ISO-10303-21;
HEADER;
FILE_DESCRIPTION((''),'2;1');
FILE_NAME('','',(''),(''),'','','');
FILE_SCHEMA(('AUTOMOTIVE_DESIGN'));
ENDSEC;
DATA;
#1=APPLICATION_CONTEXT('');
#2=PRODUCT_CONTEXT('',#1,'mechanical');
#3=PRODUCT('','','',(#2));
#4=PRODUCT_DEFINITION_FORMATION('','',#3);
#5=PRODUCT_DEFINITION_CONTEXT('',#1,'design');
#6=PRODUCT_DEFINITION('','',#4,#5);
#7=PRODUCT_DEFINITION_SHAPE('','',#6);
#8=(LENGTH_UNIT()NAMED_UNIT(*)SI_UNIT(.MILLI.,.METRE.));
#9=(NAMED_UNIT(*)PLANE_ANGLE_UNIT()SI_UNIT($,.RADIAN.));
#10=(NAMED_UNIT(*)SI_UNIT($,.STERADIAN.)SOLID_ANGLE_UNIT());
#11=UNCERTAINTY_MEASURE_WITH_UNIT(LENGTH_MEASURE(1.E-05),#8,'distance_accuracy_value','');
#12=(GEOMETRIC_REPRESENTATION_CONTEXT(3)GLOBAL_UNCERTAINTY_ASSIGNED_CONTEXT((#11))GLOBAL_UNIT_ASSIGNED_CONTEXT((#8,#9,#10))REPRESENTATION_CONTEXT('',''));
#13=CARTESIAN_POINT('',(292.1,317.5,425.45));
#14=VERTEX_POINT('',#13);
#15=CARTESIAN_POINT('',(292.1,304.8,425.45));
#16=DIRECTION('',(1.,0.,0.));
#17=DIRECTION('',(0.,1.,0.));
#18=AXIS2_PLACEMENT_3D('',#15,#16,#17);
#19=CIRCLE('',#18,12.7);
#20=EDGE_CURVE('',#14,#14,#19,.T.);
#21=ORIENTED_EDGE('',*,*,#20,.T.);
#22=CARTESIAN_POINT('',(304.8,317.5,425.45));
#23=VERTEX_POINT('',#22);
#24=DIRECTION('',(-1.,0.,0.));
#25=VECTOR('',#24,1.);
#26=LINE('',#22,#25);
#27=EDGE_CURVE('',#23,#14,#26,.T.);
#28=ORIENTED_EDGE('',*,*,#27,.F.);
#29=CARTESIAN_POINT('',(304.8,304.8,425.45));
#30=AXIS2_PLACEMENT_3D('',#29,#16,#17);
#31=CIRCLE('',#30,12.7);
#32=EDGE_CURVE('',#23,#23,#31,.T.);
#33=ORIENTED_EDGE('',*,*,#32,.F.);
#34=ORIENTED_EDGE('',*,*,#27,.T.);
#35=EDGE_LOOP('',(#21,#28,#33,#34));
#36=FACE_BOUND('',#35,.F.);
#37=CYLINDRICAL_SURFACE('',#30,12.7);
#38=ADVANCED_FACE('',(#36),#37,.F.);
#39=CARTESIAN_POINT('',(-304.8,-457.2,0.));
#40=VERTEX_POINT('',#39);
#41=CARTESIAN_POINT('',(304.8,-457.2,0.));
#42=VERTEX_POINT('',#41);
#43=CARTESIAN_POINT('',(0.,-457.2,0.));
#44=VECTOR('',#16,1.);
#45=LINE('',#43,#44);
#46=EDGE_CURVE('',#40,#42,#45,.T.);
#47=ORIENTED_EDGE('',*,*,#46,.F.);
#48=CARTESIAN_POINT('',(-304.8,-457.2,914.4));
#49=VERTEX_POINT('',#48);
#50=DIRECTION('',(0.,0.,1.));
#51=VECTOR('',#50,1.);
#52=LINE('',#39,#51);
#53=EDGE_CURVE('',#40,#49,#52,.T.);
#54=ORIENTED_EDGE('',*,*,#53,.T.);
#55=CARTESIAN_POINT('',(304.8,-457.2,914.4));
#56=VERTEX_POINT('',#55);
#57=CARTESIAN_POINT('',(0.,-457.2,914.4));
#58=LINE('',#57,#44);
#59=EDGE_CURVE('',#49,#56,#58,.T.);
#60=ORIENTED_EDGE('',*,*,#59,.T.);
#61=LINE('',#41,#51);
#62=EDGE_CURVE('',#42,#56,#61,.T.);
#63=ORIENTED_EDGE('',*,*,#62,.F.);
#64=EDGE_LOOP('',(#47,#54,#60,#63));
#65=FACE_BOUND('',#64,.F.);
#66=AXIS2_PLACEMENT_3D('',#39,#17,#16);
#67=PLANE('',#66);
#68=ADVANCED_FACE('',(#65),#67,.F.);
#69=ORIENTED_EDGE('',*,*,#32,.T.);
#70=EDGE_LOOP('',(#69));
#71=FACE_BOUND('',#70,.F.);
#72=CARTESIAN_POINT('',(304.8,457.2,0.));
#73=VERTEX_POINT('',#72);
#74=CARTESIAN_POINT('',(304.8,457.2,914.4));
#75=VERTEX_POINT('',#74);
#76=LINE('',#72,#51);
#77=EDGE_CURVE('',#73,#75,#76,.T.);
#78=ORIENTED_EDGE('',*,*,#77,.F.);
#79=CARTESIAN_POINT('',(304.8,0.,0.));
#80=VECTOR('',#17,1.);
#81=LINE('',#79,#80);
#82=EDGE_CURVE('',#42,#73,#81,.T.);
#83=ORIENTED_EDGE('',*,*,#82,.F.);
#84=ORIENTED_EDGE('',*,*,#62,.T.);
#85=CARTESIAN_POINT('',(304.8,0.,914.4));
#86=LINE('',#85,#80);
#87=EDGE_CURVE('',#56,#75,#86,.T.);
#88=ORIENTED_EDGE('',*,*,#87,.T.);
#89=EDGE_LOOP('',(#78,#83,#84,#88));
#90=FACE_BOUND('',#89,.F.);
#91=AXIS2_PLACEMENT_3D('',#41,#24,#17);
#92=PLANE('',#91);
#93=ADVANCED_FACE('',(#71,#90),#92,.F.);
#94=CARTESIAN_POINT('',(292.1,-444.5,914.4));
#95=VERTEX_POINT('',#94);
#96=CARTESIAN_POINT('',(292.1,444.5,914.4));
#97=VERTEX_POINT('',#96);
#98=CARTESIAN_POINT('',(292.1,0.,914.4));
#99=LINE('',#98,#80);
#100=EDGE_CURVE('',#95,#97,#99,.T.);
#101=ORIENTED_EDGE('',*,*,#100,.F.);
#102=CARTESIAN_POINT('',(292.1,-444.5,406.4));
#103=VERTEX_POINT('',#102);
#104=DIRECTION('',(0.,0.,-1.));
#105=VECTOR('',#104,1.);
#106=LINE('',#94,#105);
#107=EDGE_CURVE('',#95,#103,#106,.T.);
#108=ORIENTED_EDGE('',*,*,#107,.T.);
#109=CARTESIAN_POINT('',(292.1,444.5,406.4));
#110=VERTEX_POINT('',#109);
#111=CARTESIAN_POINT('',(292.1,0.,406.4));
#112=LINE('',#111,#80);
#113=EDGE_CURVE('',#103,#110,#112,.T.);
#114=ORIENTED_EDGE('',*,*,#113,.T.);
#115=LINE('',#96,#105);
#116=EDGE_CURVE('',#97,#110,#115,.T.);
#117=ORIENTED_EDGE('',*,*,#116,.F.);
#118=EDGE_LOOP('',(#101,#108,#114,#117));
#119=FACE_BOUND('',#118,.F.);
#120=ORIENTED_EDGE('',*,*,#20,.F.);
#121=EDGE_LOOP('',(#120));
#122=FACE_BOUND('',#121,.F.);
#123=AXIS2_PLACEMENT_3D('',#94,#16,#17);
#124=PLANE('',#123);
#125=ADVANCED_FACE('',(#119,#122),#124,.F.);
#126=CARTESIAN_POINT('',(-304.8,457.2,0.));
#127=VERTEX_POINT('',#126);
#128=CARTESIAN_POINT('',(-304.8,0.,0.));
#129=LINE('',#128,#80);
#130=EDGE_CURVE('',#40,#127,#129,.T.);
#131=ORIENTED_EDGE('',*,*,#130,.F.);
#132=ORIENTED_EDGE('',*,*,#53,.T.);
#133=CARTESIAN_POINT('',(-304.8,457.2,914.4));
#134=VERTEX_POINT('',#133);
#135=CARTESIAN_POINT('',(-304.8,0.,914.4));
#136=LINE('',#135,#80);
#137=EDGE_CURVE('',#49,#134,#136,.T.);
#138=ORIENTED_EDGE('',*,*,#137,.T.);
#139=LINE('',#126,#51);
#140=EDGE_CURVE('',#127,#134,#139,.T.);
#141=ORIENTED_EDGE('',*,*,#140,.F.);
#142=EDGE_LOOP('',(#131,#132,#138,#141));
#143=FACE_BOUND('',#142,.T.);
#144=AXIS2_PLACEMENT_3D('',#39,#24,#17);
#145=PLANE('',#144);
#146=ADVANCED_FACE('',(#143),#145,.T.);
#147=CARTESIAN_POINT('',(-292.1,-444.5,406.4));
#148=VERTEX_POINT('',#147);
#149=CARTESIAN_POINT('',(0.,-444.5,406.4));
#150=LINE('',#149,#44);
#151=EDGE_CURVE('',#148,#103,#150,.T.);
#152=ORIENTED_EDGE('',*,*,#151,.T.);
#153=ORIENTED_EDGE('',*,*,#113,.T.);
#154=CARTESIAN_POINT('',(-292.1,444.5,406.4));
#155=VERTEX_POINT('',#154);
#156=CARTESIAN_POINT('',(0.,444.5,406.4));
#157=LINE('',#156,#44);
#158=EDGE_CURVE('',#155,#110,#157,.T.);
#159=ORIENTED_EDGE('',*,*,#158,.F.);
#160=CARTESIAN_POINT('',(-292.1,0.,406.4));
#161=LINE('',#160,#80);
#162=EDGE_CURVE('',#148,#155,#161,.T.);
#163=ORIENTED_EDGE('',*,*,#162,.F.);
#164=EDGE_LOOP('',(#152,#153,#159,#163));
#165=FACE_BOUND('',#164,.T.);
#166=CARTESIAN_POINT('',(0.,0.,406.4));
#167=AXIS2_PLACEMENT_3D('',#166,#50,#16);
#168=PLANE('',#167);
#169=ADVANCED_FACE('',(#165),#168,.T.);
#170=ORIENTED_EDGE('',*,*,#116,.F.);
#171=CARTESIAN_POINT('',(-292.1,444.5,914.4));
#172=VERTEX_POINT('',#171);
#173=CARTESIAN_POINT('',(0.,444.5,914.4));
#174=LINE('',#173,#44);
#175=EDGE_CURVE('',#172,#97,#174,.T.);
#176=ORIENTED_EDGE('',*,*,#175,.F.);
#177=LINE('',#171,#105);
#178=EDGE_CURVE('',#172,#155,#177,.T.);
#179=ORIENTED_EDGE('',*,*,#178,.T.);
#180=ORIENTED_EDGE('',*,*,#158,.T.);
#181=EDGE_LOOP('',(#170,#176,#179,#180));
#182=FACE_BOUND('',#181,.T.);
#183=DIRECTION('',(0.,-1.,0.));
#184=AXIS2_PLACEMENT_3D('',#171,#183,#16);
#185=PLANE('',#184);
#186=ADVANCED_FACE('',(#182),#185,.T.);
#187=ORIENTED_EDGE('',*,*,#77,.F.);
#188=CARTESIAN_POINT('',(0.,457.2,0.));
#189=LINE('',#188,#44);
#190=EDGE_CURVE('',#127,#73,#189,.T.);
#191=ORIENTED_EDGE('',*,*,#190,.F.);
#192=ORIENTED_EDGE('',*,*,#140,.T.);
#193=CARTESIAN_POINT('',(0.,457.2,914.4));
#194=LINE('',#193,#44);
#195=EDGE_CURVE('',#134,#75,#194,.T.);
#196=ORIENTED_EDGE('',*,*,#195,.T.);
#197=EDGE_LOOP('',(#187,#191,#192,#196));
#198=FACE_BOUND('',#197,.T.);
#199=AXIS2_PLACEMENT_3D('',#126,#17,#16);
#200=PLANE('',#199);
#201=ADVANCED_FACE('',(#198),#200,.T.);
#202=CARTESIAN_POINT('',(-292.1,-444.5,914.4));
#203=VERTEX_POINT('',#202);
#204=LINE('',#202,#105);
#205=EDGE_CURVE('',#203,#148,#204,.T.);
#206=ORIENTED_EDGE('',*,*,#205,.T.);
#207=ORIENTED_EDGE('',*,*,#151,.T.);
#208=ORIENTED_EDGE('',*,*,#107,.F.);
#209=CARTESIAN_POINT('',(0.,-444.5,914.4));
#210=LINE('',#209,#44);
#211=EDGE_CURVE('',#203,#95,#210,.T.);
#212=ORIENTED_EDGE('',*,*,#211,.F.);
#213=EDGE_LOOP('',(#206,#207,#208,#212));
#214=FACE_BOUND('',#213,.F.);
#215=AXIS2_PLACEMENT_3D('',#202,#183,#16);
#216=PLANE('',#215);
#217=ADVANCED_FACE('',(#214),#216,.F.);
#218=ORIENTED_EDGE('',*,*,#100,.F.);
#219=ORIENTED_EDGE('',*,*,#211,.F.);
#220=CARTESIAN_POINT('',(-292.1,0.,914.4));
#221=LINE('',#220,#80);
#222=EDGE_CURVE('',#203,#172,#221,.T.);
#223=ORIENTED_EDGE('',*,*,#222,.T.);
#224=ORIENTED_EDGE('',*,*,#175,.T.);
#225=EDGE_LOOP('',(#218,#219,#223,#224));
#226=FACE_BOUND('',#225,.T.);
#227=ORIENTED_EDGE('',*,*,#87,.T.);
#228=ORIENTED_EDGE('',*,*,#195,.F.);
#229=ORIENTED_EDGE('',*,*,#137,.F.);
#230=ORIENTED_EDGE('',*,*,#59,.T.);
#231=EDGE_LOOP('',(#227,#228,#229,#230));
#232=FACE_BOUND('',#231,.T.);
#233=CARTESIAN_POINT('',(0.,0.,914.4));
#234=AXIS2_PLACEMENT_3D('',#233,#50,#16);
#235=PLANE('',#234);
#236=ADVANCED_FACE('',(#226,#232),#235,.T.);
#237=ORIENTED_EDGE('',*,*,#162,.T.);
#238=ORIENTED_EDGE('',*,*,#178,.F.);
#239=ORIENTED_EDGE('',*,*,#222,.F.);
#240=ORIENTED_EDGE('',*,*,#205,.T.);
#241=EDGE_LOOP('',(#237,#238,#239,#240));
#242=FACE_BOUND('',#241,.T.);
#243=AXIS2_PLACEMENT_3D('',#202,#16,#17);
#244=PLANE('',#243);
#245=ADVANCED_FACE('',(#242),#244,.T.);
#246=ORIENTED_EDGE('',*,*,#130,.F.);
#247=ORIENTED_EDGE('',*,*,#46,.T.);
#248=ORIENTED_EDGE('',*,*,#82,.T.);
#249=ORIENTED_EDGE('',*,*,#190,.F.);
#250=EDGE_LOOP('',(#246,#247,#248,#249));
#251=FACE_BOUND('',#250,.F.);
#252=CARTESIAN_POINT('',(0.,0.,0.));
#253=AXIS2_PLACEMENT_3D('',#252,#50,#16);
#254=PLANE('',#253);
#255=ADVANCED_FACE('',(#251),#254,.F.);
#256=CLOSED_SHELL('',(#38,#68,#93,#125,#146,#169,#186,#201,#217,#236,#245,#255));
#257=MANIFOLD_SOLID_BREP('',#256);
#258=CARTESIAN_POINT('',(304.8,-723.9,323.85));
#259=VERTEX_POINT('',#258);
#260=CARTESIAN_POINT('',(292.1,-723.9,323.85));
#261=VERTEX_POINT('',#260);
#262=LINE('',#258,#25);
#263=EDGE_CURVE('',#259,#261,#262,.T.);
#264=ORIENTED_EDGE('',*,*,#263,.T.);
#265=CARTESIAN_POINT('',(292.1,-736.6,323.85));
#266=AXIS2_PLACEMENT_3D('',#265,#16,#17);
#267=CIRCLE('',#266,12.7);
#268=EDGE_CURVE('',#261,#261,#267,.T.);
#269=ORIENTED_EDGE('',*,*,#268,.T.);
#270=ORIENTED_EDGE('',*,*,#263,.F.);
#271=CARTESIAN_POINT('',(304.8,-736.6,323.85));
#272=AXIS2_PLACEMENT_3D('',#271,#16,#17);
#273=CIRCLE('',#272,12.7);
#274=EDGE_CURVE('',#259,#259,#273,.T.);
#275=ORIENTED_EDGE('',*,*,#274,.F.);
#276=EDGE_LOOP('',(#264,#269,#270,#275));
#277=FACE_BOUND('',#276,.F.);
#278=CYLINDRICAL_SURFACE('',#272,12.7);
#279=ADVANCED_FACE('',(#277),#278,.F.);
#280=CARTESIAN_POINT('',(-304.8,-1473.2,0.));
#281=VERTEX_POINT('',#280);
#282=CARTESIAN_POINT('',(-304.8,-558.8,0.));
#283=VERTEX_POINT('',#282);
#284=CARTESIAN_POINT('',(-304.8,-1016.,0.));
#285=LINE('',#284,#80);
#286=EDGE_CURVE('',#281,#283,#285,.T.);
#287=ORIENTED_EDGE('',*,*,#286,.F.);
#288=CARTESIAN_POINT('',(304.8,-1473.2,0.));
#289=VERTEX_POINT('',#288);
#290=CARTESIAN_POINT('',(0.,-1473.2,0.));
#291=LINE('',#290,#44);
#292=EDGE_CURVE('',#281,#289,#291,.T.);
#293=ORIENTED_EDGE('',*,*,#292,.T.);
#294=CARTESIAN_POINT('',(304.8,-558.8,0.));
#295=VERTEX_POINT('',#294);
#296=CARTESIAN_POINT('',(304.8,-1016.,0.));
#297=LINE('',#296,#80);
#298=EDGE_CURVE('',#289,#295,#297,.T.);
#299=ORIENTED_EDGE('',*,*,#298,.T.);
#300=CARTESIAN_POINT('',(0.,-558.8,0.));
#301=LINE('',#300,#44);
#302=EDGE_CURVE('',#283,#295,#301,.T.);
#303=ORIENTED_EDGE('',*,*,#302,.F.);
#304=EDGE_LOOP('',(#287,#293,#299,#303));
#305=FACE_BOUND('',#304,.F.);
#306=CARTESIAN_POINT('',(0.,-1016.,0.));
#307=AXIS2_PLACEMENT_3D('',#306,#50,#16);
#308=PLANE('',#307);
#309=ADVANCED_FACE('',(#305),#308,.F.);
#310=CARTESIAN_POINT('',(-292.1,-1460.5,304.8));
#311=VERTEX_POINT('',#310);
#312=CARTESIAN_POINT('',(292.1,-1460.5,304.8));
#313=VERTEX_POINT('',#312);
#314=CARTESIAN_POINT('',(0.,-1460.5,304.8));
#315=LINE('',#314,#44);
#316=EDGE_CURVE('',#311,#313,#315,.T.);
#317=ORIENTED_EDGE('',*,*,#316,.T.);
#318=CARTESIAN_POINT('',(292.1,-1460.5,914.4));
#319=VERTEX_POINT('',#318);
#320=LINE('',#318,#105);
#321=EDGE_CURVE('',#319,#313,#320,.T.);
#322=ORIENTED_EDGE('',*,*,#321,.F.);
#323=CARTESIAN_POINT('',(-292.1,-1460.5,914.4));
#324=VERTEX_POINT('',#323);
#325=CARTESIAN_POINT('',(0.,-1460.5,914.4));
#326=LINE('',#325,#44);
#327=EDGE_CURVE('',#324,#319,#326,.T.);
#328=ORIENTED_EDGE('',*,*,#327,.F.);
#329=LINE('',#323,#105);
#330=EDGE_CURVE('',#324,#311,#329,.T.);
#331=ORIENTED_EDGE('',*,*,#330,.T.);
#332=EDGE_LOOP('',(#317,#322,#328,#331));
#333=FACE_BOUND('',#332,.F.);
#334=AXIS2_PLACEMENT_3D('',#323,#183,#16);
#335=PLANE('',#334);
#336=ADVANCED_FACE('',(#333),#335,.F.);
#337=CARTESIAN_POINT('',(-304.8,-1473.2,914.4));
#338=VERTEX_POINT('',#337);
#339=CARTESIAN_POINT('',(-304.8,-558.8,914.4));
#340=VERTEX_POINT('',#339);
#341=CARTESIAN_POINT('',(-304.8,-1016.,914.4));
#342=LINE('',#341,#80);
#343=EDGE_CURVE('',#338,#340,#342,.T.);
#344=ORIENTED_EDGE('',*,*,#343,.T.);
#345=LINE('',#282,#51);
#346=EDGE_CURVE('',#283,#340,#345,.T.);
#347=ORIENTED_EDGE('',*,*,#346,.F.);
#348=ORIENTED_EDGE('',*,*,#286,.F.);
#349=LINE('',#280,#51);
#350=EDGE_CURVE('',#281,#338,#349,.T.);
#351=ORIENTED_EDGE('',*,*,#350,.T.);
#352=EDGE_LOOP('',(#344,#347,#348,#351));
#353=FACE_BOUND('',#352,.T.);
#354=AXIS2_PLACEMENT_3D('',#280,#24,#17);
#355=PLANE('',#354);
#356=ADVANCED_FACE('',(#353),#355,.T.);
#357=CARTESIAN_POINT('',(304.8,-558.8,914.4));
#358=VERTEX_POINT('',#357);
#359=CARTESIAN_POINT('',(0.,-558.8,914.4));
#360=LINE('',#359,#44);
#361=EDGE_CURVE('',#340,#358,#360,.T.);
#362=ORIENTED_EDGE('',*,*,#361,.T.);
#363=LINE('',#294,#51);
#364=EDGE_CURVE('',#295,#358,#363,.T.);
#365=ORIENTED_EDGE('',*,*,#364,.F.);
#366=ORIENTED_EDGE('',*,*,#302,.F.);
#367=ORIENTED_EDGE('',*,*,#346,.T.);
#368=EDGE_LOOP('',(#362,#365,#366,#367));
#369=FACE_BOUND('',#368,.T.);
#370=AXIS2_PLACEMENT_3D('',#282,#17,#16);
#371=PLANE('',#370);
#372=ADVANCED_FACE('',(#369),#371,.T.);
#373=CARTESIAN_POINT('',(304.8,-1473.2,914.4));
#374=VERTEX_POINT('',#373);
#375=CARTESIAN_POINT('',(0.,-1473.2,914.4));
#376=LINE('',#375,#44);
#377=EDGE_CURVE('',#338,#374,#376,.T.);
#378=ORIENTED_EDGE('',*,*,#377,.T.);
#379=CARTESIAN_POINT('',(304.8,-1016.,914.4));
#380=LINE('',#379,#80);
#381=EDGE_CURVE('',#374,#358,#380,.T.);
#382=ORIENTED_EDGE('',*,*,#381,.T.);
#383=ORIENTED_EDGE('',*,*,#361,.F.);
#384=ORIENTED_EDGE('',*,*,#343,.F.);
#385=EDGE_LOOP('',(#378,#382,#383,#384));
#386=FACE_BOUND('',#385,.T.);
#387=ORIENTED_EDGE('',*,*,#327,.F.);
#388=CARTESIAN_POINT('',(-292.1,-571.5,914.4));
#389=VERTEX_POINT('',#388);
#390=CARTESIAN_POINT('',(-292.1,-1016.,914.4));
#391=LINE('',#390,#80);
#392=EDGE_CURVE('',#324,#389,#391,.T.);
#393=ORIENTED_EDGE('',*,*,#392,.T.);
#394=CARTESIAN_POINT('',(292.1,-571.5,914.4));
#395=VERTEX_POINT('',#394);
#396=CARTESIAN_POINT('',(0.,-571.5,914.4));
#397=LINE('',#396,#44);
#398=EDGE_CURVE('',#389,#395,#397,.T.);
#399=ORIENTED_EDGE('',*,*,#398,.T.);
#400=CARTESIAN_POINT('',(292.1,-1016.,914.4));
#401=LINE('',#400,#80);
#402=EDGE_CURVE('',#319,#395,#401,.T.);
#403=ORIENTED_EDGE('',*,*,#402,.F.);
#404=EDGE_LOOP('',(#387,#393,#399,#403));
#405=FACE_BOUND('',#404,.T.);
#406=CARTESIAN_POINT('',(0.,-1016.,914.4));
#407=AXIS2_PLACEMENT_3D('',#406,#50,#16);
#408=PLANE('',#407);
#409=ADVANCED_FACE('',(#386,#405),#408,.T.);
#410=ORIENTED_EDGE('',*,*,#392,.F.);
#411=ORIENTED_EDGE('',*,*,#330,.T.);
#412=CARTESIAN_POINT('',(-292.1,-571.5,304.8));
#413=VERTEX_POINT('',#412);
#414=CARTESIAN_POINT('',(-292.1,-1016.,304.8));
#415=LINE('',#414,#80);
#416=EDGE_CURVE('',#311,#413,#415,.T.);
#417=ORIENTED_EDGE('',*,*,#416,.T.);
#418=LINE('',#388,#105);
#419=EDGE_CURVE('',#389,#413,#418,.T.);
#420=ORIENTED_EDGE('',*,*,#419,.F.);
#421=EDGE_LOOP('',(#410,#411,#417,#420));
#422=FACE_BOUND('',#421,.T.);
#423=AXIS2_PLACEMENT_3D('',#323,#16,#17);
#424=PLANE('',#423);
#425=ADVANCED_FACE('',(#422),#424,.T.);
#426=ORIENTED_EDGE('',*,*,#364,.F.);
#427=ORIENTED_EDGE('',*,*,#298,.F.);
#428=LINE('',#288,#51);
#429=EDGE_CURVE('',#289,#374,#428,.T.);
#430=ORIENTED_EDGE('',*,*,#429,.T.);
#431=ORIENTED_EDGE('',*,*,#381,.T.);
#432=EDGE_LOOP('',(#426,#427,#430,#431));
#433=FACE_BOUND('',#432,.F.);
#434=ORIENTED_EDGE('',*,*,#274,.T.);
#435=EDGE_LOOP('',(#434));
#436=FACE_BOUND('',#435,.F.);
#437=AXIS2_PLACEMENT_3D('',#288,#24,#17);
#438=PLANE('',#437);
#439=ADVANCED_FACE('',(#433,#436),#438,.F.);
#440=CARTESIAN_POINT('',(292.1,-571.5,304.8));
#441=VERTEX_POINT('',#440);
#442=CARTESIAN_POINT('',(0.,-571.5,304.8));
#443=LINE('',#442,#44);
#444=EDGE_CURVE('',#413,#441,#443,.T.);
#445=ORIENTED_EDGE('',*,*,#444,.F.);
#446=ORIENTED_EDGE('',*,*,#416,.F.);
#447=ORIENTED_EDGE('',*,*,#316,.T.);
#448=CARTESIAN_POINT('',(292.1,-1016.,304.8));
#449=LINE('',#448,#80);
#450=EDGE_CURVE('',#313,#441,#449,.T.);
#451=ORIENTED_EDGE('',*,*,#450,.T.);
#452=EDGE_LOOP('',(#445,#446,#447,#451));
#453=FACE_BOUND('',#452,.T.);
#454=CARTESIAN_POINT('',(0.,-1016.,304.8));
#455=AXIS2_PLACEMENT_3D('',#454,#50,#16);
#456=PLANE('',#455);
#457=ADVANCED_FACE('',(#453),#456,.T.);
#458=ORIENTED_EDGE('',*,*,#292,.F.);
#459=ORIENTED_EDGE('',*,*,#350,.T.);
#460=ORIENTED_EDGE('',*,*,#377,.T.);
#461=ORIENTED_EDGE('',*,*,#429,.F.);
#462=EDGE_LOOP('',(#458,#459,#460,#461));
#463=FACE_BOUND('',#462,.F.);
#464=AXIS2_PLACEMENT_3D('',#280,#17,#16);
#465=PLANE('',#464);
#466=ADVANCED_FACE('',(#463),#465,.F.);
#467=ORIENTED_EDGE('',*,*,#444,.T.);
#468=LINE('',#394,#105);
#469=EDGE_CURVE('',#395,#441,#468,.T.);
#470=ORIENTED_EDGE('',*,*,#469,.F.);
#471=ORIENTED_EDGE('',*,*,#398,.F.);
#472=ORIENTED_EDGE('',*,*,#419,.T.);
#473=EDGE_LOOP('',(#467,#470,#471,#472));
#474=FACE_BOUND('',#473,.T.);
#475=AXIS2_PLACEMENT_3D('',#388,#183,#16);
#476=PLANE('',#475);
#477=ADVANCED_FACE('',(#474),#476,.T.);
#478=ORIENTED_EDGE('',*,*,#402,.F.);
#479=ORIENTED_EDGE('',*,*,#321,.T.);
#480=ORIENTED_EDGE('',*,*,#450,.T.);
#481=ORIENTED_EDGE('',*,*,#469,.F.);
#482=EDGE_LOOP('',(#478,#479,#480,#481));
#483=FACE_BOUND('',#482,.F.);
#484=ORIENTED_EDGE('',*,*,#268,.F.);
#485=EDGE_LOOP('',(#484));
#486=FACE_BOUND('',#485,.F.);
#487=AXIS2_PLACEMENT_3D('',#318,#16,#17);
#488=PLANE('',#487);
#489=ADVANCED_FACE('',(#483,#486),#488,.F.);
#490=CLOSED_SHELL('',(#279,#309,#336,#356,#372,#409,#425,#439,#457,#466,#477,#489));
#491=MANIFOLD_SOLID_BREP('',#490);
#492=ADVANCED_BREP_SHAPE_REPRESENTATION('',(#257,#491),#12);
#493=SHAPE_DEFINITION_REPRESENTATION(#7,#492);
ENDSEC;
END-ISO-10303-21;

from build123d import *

# Parameters (mm, degrees)
F0_W      = 609.6
F0_H      = 914.4
F1_DEPTH  = 914.4
F2_W      = 609.6
F2_H      = 914.4
F3_DEPTH  = 914.4
F4_W      = 584.2
F4_H      = 889
F5_DEPTH  = 508
F6_W      = 584.2
F6_H      = 889
F7_DEPTH  = 609.6
F8_R      = 12.7
F9_DEPTH  = 25.4
F10_R     = 12.7
F11_DEPTH = 25.4


with BuildPart() as f1:
    # F0 (on Top) → F1 (new body)
    with BuildSketch(Plane.XY):
        Rectangle(F0_W, F0_H)
    extrude(amount=F1_DEPTH)

    # F4 (on face) → F5 (cut)
    with BuildSketch(Plane.XY.offset(914.4)):
        Rectangle(F4_W, F4_H)
    extrude(amount=-F5_DEPTH, mode=Mode.SUBTRACT)

    # F8 (on face) → F9 (cut)
    with BuildSketch(Plane.YZ.offset(304.8)):
        with Locations((304.8, 425.45)):
            Circle(F8_R)
    extrude(amount=-F9_DEPTH, mode=Mode.SUBTRACT)


with BuildPart() as f3:
    # F2 (on Top) → F3 (new body)
    with BuildSketch(Plane.XY):
        with Locations((0, -1016)):
            Rectangle(F2_W, F2_H)
    extrude(amount=F3_DEPTH)

    # F6 (on face) → F7 (cut)
    with BuildSketch(Plane.XY.offset(914.4)):
        with Locations((0, -1016)):
            Rectangle(F6_W, F6_H)
    extrude(amount=-F7_DEPTH, mode=Mode.SUBTRACT)

    # F10 (on face) → F11 (cut)
    with BuildSketch(Plane.YZ.offset(304.8)):
        with Locations((-736.6, 323.85)):
            Circle(F10_R)
    extrude(amount=-F11_DEPTH, mode=Mode.SUBTRACT)


solid = Compound([f1.part, f3.part])
